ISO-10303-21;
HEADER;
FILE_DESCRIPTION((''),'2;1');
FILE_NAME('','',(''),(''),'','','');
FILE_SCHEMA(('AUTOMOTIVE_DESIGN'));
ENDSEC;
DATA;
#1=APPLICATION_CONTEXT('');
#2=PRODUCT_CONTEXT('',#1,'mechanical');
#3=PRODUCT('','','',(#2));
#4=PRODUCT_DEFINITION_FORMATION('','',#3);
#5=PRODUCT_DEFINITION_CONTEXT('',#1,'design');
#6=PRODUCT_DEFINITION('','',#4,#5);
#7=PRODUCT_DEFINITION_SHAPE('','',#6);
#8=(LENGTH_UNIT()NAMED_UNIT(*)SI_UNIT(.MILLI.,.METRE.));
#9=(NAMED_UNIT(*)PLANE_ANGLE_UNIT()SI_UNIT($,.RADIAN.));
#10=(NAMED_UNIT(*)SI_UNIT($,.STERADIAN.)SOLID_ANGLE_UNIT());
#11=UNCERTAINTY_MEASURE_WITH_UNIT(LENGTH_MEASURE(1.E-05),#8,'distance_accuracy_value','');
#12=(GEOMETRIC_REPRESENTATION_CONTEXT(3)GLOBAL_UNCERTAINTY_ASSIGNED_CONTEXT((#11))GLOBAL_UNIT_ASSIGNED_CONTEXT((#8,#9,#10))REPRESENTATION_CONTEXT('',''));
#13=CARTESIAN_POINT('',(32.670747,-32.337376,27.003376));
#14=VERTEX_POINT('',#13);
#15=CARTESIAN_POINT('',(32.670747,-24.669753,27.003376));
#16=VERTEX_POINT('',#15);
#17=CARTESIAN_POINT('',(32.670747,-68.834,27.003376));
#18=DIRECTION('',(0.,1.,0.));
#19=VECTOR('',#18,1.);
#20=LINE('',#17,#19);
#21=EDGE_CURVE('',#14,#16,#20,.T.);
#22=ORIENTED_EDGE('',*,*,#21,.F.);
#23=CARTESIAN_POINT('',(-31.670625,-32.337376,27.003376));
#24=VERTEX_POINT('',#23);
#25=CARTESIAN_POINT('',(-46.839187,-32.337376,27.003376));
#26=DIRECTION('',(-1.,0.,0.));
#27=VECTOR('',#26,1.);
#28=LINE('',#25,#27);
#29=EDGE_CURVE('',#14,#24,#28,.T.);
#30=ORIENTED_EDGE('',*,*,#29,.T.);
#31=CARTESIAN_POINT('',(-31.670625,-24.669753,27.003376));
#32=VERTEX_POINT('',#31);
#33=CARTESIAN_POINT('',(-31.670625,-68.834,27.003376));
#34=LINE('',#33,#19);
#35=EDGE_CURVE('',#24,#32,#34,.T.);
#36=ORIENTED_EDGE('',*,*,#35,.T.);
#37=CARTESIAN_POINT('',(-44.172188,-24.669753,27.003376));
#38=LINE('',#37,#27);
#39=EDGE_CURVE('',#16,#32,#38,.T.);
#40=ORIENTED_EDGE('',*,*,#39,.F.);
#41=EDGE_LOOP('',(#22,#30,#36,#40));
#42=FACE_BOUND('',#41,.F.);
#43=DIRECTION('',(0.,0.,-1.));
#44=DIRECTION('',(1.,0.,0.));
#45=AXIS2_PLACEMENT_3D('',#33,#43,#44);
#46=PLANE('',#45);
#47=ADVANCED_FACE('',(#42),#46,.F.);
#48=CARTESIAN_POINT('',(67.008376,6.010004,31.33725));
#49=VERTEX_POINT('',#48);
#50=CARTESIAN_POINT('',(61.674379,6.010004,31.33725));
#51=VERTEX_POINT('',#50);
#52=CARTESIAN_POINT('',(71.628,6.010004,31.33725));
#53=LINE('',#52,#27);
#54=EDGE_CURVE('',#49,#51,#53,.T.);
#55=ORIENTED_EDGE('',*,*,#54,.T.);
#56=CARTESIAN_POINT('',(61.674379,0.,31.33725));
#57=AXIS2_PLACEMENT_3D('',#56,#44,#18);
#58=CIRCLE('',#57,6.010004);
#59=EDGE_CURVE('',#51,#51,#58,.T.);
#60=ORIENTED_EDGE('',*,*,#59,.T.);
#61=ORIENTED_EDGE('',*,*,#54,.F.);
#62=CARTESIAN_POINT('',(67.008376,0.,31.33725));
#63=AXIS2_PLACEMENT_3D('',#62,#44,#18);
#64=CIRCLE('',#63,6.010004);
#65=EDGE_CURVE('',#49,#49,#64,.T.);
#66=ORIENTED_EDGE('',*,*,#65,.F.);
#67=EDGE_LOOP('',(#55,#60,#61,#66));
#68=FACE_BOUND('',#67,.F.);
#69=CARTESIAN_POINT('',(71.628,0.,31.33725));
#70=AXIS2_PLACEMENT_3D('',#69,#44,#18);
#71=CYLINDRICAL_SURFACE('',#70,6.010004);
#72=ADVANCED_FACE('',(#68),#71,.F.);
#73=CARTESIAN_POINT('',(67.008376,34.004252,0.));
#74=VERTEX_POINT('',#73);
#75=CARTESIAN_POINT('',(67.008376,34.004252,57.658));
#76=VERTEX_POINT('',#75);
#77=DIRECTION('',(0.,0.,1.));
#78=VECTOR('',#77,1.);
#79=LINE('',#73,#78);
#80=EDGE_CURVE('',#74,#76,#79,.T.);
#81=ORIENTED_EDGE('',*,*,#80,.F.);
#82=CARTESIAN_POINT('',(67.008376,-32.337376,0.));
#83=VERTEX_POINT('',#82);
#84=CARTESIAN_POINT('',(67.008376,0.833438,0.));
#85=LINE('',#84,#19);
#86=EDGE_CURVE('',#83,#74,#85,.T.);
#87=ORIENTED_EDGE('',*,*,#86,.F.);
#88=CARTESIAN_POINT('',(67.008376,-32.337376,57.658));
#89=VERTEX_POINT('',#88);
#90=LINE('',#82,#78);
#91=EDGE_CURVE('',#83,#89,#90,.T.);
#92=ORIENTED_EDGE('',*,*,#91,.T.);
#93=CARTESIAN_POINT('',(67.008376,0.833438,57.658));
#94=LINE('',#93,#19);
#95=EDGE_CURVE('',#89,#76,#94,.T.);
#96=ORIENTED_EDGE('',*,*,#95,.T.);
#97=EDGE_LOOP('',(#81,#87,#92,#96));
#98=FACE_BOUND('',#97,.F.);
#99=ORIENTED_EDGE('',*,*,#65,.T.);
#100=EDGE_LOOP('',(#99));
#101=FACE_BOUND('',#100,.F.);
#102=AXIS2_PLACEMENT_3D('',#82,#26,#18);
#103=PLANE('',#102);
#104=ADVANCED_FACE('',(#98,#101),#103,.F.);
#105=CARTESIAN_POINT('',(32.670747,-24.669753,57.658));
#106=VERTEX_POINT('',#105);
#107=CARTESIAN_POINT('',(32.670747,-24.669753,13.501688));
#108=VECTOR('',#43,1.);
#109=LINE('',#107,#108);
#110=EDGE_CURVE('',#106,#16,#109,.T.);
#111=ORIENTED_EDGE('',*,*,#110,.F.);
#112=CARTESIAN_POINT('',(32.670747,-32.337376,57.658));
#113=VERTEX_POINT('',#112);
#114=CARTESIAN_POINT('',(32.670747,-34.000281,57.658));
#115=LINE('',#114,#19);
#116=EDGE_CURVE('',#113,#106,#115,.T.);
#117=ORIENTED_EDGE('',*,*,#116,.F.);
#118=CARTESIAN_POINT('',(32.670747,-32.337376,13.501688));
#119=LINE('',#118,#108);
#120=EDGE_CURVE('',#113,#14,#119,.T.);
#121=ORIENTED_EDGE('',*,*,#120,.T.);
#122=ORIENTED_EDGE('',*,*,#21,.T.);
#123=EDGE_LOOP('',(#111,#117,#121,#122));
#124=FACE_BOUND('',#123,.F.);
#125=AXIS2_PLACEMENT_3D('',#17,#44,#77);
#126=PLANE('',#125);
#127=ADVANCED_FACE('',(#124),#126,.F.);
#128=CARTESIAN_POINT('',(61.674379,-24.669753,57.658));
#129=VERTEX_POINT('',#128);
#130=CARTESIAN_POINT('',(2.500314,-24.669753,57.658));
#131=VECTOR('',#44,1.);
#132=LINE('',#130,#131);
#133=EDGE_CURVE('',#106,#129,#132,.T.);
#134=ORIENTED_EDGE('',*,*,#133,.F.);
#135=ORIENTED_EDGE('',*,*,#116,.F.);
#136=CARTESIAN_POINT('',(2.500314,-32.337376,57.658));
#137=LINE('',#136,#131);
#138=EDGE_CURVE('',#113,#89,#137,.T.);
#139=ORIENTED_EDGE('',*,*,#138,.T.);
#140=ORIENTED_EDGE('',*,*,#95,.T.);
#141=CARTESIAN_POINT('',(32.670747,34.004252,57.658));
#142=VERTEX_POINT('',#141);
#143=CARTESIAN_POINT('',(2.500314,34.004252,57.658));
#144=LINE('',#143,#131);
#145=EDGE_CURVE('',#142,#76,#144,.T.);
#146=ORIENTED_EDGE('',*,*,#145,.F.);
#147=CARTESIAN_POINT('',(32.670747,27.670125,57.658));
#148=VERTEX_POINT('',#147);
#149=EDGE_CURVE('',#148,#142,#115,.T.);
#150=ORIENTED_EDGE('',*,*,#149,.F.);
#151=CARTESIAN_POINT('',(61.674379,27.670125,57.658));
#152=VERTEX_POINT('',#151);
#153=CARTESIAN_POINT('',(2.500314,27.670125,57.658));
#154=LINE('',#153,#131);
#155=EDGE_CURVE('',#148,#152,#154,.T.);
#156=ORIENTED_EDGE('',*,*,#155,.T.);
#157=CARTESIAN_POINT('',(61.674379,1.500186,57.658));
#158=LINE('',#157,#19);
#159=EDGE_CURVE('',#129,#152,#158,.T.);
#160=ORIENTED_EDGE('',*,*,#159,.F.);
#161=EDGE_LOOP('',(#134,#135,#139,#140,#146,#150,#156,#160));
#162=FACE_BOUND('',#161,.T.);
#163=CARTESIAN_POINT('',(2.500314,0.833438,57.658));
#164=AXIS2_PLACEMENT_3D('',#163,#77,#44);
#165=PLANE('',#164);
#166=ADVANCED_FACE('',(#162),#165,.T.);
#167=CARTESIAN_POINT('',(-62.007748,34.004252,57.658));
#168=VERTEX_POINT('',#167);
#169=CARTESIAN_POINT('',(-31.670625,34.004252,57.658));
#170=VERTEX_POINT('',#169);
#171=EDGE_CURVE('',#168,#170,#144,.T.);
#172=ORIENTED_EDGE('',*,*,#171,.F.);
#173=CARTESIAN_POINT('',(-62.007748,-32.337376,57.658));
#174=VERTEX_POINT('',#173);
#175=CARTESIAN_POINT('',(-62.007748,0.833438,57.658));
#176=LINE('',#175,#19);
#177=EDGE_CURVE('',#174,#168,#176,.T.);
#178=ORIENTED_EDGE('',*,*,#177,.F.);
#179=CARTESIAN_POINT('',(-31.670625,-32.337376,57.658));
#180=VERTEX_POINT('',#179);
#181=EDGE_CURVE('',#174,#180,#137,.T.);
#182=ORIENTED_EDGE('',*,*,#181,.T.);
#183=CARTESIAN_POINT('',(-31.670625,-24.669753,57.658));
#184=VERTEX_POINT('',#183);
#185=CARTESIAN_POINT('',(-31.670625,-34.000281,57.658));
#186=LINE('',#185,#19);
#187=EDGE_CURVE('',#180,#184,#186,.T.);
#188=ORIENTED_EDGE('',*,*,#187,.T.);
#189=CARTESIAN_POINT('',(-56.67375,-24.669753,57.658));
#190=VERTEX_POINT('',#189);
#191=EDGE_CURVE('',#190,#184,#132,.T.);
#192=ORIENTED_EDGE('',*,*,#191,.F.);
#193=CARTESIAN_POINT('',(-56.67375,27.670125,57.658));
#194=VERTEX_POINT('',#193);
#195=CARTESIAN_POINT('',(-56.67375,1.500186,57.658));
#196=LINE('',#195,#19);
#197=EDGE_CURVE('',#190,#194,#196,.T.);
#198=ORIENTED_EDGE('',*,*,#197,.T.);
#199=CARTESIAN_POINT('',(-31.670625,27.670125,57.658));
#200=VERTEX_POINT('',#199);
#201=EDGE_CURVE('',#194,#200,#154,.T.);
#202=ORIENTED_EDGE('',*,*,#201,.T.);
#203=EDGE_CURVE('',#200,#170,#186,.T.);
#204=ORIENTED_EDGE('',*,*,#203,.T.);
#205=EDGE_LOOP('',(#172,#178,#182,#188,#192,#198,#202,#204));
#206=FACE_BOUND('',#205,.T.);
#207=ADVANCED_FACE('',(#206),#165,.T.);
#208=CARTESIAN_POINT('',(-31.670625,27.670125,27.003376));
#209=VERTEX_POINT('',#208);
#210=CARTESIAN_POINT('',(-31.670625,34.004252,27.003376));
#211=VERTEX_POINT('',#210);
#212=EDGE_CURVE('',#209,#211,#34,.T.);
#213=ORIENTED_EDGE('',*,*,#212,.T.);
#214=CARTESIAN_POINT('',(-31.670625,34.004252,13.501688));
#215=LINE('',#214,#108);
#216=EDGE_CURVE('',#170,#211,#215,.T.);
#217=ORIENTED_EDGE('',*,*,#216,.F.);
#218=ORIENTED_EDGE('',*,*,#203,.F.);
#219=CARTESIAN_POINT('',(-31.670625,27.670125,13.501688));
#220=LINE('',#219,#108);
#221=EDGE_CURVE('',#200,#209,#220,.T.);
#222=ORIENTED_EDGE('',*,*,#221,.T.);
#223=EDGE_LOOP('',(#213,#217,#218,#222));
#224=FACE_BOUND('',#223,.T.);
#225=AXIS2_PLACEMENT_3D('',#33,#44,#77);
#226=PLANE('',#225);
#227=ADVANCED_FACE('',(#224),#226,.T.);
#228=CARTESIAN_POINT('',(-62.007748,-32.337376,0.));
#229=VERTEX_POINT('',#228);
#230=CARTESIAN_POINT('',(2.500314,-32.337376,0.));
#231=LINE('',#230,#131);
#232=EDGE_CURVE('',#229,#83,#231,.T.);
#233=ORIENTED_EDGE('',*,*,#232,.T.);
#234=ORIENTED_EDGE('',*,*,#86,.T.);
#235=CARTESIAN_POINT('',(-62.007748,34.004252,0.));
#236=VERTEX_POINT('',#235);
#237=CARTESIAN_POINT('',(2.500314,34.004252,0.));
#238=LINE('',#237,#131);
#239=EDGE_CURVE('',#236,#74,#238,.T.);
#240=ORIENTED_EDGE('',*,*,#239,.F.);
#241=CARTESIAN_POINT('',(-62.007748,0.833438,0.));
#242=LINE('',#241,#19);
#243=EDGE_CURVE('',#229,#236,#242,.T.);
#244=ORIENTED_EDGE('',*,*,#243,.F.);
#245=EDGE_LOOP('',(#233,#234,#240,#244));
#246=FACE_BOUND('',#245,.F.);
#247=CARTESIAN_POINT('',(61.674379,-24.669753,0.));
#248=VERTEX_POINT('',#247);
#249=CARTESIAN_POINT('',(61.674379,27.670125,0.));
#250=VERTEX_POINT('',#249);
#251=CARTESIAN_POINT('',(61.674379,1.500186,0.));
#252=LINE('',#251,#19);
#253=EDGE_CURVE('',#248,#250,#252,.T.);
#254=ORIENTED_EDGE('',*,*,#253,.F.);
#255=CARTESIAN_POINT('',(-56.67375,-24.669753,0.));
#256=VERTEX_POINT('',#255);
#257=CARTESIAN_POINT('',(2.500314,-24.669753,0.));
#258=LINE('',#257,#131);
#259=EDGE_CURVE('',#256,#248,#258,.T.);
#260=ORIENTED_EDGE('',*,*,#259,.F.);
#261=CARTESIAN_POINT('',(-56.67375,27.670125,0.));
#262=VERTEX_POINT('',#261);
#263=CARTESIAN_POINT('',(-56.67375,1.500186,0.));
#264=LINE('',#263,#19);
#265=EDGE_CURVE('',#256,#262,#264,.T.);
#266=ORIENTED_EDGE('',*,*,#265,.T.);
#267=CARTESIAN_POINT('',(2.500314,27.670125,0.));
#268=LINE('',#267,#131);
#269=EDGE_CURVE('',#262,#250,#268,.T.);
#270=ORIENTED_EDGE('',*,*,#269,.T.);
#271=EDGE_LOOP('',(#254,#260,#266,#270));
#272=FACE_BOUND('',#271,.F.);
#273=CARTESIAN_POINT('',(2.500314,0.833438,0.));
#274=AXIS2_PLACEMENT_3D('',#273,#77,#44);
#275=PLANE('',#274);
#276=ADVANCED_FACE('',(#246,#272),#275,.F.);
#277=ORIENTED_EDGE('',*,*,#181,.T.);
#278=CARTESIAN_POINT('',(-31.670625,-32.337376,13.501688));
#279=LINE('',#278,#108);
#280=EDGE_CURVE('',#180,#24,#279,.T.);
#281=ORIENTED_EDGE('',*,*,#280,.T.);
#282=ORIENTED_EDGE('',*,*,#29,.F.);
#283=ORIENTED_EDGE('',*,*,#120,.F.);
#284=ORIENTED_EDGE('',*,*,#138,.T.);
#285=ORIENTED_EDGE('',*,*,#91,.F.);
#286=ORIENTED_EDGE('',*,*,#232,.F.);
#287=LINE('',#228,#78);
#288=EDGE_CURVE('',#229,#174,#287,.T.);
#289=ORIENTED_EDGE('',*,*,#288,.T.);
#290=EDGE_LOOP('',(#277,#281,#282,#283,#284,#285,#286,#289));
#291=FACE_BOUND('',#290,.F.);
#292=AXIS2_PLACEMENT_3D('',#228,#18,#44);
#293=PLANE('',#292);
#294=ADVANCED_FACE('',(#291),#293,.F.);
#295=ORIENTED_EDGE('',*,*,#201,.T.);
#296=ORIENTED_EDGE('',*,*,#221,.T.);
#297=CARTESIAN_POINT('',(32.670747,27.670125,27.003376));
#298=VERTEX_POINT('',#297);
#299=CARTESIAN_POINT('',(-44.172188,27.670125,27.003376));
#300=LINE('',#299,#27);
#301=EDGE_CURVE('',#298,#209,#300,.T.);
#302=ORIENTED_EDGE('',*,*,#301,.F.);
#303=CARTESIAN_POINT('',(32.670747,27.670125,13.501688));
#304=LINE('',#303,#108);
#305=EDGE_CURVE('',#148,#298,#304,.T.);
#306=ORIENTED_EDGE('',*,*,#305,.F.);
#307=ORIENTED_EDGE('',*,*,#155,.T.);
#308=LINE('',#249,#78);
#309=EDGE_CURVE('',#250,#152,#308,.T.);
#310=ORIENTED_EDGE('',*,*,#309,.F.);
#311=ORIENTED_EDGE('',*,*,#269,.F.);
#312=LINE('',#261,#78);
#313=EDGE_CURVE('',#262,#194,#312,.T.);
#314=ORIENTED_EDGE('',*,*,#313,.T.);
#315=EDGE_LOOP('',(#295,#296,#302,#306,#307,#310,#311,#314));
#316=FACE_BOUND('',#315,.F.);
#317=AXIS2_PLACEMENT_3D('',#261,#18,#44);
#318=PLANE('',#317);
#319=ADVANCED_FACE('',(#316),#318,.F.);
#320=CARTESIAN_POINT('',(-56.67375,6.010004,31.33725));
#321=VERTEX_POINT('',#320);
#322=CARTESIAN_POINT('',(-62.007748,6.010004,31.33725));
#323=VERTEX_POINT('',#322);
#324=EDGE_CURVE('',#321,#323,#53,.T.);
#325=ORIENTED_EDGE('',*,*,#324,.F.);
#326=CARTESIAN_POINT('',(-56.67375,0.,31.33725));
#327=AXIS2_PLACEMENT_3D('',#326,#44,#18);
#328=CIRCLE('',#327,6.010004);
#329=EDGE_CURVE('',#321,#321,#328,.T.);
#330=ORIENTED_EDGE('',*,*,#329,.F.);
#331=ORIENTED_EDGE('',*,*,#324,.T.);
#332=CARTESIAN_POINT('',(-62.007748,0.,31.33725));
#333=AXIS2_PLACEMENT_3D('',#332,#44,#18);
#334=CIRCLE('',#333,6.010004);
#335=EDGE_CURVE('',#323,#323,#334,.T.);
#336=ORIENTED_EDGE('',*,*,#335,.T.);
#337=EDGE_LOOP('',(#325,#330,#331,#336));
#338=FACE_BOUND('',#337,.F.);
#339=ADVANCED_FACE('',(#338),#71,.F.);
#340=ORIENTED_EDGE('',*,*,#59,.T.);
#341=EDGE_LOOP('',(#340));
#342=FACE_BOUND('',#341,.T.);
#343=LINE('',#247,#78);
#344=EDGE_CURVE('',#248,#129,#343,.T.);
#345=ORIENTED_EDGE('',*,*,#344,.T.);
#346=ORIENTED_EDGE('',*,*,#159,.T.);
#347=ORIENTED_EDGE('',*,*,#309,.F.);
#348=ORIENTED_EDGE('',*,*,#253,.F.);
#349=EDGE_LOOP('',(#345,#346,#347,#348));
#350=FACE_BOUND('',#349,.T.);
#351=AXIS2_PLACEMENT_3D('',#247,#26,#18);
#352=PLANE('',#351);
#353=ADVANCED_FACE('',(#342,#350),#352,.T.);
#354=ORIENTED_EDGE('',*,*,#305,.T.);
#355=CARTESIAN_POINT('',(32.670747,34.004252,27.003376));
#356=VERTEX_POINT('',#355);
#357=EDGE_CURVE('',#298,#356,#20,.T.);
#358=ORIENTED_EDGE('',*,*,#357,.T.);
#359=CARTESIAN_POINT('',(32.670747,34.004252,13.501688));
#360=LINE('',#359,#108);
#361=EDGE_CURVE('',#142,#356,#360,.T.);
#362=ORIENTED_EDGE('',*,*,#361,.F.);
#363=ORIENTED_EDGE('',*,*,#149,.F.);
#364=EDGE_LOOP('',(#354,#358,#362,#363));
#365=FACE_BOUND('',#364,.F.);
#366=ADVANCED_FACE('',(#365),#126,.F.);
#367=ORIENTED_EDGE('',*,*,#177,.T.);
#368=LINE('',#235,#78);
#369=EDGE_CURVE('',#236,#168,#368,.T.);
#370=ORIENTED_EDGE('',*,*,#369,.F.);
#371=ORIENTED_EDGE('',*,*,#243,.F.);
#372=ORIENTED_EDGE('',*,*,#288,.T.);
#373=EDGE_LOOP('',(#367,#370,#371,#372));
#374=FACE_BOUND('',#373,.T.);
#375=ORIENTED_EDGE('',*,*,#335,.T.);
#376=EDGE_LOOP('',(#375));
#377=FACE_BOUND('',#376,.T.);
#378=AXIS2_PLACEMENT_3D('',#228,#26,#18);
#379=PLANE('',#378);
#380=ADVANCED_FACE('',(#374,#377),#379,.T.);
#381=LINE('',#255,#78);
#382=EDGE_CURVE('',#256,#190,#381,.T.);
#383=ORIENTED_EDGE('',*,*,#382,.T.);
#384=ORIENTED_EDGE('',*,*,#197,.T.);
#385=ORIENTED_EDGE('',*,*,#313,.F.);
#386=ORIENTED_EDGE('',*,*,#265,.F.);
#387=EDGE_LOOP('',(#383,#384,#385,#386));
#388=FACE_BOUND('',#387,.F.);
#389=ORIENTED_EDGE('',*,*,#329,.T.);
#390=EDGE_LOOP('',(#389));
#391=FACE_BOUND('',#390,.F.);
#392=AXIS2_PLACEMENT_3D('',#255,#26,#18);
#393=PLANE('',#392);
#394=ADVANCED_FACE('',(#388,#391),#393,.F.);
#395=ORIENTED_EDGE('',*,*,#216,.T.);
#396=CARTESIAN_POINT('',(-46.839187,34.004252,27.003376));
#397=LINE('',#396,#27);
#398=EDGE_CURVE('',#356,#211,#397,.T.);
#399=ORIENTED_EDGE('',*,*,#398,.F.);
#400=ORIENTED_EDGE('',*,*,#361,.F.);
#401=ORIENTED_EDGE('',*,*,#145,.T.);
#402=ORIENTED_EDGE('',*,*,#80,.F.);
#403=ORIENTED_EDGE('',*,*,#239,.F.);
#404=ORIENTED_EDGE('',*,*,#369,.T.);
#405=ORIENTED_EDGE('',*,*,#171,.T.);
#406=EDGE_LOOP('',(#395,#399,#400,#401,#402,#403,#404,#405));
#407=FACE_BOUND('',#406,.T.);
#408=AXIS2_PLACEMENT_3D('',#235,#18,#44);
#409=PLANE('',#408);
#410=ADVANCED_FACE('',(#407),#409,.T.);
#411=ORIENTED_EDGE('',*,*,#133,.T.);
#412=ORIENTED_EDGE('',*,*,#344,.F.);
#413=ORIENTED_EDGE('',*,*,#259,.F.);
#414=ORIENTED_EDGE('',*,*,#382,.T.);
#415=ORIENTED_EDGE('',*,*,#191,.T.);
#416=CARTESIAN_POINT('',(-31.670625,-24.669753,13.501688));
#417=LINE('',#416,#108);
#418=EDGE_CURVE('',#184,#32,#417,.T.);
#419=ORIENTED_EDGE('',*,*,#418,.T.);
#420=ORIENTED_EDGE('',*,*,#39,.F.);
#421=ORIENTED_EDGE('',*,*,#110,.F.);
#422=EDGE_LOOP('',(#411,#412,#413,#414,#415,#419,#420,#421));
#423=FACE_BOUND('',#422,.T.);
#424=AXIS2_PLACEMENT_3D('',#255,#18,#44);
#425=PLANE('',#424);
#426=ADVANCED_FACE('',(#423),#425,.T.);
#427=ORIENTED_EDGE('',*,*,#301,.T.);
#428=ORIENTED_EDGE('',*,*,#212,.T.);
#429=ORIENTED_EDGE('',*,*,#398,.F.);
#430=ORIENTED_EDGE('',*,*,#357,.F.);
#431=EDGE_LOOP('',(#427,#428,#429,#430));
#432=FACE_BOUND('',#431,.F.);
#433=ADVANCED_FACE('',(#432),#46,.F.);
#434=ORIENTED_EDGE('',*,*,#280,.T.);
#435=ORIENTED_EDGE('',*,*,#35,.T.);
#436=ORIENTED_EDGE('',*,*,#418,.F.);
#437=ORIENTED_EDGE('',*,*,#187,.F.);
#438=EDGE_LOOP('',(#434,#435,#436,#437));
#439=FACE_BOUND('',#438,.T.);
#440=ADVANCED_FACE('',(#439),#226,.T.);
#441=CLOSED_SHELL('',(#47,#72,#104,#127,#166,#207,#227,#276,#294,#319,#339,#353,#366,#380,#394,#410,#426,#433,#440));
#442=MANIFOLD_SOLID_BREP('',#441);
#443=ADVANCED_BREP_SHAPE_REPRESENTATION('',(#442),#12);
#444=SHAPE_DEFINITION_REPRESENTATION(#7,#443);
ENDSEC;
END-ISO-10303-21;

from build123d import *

# Parameters (mm, degrees)
F0_W     = 129.016124
F0_H     = 66.341627
F0_W_2   = 118.348129
F0_H_2   = 52.339877
F1_DEPTH = 57.658
F3_W     = 64.341373
F3_H     = 31.337252
F4_DEPTH = 139.446
F6_R     = 6.010004
F7_DEPTH = 240.792


with BuildPart() as f1:
    # F0 (on Top) → F1 (new body)
    with BuildSketch(Plane.XY):
        with Locations((2.500314, 0.833438)):
            Rectangle(F0_W, F0_H)
        with Locations((2.500314, 1.500186)):
            Rectangle(F0_W_2, F0_H_2, mode=Mode.SUBTRACT)
    extrude(amount=F1_DEPTH)

    # F3 (on offset) → F4 (cut)
    with BuildSketch(Plane.XZ.offset(68.834)):
        with Locations((0.500061, 42.672002)):
            Rectangle(F3_W, F3_H)
    extrude(amount=-F4_DEPTH, mode=Mode.SUBTRACT)

    # F6 (on offset) → F7 (cut)
    with BuildSketch(Plane.YZ.offset(71.628)):
        with Locations((0, 31.33725)):
            Circle(F6_R)
    extrude(amount=-F7_DEPTH, mode=Mode.SUBTRACT)


solid = f1.part
